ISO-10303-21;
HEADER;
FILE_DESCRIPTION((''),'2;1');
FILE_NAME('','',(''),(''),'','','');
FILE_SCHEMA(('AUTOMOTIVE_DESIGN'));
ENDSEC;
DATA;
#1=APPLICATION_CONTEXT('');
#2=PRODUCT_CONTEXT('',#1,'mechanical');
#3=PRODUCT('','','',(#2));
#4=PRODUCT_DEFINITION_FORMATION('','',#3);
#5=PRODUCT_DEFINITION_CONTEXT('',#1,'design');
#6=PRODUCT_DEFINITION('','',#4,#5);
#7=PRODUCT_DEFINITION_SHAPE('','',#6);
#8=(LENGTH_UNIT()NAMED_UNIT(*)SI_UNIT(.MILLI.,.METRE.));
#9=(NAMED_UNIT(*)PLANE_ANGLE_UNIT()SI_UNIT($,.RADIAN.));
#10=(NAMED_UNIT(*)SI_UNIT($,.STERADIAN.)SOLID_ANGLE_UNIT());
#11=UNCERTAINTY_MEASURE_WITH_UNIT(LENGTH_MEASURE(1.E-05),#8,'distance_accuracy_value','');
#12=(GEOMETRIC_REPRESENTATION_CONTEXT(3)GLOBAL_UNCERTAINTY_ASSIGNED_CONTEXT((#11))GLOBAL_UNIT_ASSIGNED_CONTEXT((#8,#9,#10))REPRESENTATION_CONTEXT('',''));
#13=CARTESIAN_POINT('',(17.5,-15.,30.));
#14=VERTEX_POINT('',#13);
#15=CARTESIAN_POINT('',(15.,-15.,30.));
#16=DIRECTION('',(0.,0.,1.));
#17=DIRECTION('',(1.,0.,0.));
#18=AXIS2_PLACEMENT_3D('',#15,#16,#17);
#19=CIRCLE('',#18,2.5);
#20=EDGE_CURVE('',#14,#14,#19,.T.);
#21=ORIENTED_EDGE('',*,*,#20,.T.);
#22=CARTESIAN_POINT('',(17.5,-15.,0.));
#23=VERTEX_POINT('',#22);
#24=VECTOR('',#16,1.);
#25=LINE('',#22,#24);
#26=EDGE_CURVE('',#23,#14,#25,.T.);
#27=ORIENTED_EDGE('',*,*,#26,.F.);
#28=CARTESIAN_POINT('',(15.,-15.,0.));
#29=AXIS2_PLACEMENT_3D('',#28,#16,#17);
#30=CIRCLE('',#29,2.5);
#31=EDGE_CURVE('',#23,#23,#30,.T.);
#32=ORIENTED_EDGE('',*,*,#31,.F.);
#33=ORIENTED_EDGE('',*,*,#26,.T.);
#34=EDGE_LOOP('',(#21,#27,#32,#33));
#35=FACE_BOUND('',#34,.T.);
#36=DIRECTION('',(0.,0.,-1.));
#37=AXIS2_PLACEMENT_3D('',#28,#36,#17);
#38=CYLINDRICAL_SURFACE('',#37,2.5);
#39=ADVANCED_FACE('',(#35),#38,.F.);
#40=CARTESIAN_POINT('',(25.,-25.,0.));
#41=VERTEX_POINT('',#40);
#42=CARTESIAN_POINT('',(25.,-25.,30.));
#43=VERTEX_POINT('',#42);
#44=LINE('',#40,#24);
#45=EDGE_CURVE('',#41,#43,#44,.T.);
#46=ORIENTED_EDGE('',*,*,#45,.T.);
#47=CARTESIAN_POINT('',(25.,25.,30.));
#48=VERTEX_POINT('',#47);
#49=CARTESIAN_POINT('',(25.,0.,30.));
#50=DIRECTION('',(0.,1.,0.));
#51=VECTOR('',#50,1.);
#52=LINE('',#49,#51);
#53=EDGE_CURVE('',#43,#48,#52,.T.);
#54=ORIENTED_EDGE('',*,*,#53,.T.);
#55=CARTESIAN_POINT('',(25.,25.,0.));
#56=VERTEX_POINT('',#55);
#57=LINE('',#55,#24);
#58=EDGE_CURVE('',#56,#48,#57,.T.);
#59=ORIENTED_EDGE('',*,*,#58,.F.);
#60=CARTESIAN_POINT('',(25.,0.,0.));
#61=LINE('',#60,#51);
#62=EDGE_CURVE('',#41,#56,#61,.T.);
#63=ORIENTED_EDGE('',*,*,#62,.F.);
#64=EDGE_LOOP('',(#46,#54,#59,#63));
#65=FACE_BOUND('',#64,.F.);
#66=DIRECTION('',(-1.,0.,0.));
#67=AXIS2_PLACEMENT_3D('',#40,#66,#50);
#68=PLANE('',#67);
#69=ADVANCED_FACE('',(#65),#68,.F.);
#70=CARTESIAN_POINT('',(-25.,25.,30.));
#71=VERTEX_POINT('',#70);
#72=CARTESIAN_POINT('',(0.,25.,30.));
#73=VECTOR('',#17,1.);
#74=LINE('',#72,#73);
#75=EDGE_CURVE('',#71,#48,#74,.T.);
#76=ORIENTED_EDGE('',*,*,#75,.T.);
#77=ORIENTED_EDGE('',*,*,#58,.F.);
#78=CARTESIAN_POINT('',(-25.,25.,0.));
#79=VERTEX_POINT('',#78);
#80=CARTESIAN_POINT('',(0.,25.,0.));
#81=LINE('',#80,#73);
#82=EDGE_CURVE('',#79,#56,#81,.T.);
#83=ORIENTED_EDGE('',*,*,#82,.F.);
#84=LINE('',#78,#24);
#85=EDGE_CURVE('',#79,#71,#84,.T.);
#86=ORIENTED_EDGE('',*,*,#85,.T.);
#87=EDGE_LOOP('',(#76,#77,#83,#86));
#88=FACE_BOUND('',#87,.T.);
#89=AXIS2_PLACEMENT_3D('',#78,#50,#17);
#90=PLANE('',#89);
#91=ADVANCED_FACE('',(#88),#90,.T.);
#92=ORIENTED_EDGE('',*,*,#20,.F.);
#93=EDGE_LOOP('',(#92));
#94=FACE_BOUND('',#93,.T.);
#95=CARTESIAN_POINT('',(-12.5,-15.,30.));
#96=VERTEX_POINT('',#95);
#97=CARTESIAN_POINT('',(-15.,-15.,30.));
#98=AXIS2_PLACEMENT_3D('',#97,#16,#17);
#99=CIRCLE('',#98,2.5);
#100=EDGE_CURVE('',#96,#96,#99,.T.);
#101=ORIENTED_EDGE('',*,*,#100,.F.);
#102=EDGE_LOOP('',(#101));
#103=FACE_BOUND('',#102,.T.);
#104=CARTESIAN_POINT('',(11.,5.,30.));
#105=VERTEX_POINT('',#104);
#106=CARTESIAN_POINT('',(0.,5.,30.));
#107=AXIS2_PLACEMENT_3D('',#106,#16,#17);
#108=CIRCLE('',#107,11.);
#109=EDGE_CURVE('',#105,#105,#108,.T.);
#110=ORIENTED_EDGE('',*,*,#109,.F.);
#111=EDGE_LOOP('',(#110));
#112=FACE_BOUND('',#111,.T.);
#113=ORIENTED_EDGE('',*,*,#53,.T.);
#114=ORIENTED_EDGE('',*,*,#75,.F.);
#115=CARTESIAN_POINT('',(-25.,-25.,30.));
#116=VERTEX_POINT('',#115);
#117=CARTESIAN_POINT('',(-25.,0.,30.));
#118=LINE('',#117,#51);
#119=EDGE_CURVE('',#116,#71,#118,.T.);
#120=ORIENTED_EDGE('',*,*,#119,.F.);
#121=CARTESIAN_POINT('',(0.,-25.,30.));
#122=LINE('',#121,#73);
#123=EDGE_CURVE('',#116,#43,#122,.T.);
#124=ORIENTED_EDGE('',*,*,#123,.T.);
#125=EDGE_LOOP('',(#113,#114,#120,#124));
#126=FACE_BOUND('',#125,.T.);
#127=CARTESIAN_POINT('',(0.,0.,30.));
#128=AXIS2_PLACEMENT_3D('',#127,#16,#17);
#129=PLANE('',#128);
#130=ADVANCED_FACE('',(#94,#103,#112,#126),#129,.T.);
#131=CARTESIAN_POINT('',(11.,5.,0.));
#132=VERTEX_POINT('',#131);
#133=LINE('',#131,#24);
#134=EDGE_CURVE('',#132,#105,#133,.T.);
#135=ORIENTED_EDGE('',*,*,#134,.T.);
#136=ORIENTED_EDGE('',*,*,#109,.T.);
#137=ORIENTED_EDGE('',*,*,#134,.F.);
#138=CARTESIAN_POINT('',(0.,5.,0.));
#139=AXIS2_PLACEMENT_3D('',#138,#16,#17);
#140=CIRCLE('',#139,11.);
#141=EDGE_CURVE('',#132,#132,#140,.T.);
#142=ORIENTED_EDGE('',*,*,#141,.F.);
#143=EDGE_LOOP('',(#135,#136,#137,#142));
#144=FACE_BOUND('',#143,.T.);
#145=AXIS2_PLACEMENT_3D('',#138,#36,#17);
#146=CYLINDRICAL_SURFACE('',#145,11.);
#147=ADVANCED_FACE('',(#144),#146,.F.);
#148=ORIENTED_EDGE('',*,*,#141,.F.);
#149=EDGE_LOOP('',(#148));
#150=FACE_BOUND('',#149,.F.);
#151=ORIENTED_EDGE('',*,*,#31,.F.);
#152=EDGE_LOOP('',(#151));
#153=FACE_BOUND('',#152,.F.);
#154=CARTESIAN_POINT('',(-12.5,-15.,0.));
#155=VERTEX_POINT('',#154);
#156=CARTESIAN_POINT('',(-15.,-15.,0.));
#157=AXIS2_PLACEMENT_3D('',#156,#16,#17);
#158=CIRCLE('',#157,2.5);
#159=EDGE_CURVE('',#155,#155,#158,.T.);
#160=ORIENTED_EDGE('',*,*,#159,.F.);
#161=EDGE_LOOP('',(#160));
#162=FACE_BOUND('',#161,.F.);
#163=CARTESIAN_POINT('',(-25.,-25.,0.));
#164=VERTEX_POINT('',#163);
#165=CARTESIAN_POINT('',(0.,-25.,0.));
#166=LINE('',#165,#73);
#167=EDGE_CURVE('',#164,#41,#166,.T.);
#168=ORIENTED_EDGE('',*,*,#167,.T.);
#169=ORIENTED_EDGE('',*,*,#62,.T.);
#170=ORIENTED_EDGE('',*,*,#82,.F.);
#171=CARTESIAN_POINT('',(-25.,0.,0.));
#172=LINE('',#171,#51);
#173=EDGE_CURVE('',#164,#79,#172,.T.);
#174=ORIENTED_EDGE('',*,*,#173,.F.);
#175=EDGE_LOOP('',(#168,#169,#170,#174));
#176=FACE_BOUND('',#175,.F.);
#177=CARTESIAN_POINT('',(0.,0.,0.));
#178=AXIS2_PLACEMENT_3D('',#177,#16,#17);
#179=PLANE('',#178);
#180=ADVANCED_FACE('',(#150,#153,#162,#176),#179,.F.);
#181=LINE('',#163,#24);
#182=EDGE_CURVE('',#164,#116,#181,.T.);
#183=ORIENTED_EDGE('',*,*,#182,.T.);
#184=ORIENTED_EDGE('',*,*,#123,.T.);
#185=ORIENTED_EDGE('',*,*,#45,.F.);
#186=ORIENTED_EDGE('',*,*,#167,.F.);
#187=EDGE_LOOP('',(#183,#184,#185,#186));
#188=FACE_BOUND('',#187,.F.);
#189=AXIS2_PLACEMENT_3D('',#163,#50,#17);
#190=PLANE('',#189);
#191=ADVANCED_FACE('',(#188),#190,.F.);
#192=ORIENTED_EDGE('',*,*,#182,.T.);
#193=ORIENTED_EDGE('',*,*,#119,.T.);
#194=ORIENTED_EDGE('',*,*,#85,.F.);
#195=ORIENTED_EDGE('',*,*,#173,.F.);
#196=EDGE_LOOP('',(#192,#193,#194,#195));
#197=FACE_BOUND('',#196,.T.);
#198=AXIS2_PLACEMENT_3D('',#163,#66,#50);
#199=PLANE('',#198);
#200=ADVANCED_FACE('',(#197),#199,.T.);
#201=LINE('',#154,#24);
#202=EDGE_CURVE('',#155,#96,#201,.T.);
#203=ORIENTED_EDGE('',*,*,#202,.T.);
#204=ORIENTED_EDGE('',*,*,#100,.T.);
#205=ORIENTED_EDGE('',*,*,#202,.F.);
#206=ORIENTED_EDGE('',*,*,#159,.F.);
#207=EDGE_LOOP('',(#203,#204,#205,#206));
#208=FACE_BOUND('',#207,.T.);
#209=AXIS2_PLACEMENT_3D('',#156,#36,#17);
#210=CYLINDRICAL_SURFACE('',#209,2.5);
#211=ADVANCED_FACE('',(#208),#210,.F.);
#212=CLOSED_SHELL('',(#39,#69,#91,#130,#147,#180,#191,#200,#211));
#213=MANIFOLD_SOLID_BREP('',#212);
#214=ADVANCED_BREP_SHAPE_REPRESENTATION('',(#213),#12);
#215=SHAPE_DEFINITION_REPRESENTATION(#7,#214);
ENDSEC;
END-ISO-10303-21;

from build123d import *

# Parameters (mm, degrees)
F0_W     = 50
F0_H     = 50
F0_R     = 2.5
F0_R_2   = 11
F1_DEPTH = 30


with BuildPart() as f1:
    # F0 (on Top) → F1 (new body)
    with BuildSketch(Plane.XY):
        Rectangle(F0_W, F0_H)
        with Locations((-15, -15)):
            Circle(F0_R, mode=Mode.SUBTRACT)
        with Locations((15, -15)):
            Circle(F0_R, mode=Mode.SUBTRACT)
        with Locations((0, 5)):
            Circle(F0_R_2, mode=Mode.SUBTRACT)
    extrude(amount=F1_DEPTH)


solid = f1.part
